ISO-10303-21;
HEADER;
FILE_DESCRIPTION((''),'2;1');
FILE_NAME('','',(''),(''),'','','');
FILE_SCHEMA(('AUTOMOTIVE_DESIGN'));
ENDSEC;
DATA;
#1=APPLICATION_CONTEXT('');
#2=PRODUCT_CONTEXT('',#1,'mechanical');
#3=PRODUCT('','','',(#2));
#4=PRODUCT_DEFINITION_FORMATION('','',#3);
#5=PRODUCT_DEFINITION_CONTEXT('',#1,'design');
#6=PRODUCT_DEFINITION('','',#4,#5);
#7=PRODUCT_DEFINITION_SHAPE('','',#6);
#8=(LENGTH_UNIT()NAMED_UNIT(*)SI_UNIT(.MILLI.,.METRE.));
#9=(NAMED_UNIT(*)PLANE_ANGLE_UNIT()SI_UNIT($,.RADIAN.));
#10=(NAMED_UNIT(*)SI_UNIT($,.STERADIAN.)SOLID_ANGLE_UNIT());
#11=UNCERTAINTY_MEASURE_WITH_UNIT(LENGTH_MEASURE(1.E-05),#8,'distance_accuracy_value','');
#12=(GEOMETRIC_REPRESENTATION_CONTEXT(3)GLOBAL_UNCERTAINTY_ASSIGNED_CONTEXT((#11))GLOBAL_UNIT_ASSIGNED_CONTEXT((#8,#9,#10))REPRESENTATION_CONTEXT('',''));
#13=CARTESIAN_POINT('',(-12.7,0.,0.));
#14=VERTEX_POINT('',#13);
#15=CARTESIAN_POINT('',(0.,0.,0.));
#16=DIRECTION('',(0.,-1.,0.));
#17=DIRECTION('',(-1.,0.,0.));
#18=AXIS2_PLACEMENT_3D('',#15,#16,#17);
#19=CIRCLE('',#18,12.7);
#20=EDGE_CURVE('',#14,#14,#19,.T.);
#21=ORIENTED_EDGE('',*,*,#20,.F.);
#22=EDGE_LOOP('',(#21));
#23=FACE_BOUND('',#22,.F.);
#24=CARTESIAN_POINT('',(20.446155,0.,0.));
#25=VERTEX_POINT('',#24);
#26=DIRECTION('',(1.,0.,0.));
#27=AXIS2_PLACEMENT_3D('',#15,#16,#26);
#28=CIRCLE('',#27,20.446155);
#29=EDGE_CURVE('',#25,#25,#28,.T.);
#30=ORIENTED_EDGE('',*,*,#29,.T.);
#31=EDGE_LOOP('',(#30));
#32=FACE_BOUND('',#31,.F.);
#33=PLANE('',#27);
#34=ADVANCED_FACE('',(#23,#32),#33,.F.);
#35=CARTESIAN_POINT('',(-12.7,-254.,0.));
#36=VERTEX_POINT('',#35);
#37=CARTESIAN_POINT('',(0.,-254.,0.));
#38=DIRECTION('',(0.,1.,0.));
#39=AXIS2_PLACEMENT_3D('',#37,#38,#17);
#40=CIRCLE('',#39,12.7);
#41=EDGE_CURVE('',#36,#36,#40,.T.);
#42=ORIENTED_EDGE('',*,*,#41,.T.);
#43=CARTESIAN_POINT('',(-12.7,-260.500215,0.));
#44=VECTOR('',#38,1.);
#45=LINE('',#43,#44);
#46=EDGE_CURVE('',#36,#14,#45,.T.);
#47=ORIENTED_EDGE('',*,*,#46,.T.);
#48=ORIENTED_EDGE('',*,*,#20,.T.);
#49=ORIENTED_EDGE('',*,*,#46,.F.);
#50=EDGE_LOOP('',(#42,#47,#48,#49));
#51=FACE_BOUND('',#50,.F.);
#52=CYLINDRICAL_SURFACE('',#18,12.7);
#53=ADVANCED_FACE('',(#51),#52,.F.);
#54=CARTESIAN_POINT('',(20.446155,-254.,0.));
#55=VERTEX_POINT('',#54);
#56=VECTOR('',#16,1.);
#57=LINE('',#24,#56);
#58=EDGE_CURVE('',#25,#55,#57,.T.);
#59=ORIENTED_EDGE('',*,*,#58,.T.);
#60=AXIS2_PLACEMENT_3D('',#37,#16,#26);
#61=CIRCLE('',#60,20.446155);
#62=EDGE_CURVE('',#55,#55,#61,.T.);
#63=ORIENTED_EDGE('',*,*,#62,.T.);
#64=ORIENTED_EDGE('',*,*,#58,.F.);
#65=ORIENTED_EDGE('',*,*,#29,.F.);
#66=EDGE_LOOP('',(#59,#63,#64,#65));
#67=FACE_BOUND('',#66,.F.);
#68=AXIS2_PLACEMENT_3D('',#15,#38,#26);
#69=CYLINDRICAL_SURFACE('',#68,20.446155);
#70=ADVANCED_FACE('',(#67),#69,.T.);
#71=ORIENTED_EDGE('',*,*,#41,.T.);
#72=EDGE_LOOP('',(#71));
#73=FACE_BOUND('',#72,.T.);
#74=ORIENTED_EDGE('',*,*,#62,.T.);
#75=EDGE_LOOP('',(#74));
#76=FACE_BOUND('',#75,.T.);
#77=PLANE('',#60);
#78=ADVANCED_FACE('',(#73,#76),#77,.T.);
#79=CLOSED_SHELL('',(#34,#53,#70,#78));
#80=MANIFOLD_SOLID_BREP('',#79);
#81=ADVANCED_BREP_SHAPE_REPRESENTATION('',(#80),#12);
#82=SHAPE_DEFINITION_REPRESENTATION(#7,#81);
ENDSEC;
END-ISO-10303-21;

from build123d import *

# Parameters (mm, degrees)
F0_R           = 20.446155
F1_DEPTH       = 254
F2_D           = 25.4
F2_CBORE_D     = 25.4
F2_CBORE_DEPTH = 25.4


with BuildPart() as f1:
    # F0 (on Front) → F1 (new body)
    with BuildSketch(Plane.XZ):
        Circle(F0_R)
    extrude(amount=F1_DEPTH)

    # F2 (through all)
    with Locations(Plane(origin=(0, 0, 0), x_dir=(1, 0, 0), z_dir=(0, 1, 0))):
        with Locations((0, 0)):
            CounterBoreHole(F2_D / 2, F2_CBORE_D / 2, F2_CBORE_DEPTH)


solid = f1.part
